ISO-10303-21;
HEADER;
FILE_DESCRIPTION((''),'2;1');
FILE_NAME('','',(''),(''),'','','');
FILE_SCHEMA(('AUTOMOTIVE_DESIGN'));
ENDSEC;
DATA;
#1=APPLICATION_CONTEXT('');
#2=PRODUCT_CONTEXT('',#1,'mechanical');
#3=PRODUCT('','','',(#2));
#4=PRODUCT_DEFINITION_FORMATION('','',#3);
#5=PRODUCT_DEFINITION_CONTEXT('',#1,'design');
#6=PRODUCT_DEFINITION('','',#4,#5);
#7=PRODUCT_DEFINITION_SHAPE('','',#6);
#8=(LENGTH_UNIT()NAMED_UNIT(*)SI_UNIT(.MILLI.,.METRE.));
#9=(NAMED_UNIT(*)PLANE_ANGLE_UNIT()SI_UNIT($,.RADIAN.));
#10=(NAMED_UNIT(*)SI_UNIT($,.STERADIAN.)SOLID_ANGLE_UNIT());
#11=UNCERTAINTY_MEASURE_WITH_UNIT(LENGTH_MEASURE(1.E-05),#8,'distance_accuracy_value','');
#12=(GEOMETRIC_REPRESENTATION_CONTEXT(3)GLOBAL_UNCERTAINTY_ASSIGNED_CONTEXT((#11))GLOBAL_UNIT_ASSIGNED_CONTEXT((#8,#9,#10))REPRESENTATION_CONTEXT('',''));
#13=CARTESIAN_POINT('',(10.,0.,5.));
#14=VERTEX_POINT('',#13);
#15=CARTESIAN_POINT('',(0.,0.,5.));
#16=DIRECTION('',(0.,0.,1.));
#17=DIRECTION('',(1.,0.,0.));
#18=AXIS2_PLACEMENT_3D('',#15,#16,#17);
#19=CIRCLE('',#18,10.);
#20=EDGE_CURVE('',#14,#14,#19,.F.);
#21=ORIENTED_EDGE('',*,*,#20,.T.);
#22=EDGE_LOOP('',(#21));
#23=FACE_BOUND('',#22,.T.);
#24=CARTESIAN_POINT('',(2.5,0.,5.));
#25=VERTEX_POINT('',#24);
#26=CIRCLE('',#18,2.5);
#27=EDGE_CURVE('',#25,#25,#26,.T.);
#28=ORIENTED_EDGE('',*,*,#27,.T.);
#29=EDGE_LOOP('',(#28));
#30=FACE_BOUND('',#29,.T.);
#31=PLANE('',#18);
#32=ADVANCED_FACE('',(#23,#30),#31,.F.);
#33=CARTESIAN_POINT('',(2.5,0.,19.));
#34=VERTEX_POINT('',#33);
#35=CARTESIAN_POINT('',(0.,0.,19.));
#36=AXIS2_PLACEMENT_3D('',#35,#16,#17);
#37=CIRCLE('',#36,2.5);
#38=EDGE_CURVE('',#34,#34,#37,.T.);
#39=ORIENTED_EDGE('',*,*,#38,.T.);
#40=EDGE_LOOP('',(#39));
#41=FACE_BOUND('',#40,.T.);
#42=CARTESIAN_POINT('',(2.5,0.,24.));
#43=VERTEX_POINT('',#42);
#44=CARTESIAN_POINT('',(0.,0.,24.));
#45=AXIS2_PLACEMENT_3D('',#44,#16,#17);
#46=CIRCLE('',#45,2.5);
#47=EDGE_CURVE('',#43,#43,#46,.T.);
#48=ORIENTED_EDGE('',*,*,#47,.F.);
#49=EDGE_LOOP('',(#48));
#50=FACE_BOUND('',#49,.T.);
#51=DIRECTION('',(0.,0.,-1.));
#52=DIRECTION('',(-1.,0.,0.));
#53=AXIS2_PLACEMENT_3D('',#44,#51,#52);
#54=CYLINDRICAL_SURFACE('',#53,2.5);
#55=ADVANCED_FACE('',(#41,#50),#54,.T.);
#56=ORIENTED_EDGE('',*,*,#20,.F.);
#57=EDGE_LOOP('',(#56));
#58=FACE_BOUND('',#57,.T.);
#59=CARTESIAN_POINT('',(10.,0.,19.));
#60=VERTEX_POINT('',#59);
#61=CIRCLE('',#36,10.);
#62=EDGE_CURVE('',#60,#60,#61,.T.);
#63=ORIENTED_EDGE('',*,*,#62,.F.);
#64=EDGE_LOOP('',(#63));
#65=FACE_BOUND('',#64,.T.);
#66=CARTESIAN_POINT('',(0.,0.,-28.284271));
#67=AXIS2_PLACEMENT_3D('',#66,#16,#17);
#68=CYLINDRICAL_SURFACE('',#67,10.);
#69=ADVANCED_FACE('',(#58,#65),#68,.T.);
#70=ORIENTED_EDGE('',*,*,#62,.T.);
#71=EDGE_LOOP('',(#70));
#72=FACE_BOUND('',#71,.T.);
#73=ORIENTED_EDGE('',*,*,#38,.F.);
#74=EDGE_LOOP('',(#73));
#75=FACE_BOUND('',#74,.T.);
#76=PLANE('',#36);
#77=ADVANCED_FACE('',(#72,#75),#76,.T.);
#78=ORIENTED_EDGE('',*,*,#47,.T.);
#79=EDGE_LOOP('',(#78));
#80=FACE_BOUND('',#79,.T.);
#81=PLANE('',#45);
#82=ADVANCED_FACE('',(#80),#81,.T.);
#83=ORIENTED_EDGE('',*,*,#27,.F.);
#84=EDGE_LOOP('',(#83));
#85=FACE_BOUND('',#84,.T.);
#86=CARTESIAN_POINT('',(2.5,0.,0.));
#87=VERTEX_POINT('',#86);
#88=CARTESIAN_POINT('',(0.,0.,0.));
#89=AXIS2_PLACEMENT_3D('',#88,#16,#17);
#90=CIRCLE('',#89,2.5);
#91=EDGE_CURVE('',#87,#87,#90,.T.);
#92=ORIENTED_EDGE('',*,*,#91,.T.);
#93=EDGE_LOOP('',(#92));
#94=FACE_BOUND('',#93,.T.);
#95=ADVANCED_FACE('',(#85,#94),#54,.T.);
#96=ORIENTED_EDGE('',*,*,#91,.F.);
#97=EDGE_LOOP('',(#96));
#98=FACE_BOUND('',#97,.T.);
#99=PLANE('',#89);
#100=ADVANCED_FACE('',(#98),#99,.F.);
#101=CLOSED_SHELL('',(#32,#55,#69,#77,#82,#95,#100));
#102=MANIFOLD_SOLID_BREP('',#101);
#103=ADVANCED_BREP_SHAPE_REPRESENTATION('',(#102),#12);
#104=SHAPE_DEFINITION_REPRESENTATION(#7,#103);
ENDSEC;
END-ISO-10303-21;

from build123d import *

# Parameters (mm, degrees)
SKETCH1_R           = 2.5
BOSS_EXTRUDE1_DEPTH = 24
BOSS_EXTRUDE2_START = -5
SKETCH2_R           = 10
BOSS_EXTRUDE2_DEPTH = 14


with BuildPart() as part:
    # Sketch1 → Boss-Extrude1 (new body)
    with BuildSketch(Plane.XY):
        Circle(SKETCH1_R)
    extrude(amount=BOSS_EXTRUDE1_DEPTH)

    # Sketch2 → Boss-Extrude2 (add)
    with BuildSketch(Plane.XY.offset(24).offset(BOSS_EXTRUDE2_START)):
        Circle(SKETCH2_R)
    extrude(amount=-BOSS_EXTRUDE2_DEPTH)


solid = part.part
